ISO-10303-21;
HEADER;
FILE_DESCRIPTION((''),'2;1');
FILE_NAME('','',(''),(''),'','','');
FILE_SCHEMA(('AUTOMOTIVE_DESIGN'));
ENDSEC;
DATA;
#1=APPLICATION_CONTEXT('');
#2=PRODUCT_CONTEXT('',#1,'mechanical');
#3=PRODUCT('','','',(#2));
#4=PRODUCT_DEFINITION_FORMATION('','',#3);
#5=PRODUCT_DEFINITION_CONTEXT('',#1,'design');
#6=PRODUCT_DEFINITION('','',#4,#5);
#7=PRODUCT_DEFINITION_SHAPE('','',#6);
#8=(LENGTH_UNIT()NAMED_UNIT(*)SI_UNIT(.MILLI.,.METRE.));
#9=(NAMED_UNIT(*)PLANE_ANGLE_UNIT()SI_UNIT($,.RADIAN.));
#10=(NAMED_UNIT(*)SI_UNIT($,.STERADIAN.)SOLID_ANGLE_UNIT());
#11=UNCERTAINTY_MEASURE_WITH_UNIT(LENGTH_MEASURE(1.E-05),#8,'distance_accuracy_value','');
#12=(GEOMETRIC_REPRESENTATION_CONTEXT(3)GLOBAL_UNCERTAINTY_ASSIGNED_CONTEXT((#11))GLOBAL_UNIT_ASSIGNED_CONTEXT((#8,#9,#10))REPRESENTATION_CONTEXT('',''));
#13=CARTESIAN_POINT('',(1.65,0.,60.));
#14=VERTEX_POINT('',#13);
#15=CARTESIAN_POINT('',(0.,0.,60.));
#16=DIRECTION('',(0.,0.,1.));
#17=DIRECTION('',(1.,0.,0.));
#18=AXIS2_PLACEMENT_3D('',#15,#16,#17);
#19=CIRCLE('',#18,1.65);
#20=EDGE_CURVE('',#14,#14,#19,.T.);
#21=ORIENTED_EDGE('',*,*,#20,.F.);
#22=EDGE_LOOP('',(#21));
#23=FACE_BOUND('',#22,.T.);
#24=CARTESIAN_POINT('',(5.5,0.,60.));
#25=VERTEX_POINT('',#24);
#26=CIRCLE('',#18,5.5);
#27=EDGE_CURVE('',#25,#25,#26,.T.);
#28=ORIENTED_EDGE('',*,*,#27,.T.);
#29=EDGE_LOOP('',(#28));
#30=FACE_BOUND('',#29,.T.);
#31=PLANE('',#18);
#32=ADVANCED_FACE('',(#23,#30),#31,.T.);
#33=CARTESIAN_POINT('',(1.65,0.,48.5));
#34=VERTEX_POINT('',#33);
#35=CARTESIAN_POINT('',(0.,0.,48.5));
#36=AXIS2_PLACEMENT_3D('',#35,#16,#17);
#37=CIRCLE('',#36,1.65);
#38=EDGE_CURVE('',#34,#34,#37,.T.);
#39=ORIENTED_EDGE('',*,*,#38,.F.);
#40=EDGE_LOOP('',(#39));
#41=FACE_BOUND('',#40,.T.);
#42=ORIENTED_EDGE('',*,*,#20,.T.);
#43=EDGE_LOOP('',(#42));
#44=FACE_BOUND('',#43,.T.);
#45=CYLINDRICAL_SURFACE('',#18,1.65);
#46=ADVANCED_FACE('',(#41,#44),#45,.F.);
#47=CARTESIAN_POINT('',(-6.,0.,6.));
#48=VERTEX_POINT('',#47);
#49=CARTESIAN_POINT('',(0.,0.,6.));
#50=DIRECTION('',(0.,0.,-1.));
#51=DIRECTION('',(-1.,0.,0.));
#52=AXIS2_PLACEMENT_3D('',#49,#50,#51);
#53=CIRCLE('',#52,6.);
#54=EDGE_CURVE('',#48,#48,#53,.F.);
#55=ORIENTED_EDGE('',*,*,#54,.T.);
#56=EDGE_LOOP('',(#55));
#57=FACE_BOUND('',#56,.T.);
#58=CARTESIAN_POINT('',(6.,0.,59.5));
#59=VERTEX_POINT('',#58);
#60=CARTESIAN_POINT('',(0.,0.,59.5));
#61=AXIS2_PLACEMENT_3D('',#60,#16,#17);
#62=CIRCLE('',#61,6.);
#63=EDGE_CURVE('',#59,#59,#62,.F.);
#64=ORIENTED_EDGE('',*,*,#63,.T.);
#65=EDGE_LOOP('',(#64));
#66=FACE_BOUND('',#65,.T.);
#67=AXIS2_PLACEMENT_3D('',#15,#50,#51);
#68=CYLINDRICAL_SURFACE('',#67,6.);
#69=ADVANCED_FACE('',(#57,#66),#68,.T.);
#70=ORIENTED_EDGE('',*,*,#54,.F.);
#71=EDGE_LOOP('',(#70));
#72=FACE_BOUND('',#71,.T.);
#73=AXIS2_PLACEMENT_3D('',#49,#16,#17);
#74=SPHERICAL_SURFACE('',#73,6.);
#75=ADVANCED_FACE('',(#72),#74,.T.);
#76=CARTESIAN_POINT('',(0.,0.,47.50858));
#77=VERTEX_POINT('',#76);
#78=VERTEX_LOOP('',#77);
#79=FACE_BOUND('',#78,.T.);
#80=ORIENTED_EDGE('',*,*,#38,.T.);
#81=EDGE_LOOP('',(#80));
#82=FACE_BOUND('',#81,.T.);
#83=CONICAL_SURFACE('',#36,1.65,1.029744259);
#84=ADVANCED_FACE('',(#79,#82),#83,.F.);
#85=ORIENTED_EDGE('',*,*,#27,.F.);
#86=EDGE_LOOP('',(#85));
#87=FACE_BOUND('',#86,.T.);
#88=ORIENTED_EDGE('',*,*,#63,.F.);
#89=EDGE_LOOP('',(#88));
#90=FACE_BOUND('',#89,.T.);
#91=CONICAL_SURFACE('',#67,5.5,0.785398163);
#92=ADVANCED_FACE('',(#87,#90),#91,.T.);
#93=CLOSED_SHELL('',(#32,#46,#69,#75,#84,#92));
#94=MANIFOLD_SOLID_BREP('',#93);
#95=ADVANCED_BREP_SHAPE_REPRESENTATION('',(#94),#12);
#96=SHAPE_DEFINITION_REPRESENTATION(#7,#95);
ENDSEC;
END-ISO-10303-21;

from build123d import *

# Parameters (mm, degrees)
SKETCH_1_R             = 6
EXTRUDE_1_DEPTH        = 60
FILLET_1_R             = 6
CHAMFER_1_SIZE         = 0.5
HOLE_WIZARD_M4_1_D     = 3.3
HOLE_WIZARD_M4_1_DEPTH = 11.5
HOLE_WIZARD_M4_1_TIP   = 0.991420021


with BuildPart() as part:
    # 草圖1 → 伸長1 (new body)
    with BuildSketch(Plane.XY):
        Circle(SKETCH_1_R)
    extrude(amount=EXTRUDE_1_DEPTH)

    # 圓角1
    fillet_1_edges = [part.edges().sort_by_distance(p)[0] for p in [
        (-6, 0, 0),
    ]]
    fillet(fillet_1_edges, radius=FILLET_1_R)

    # 導角1
    chamfer_1_edges = [part.edges().sort_by_distance(p)[0] for p in [
        (-6, 0, 60),
    ]]
    chamfer(chamfer_1_edges, length=CHAMFER_1_SIZE)

    # M4 螺紋孔1
    with Locations(Plane.XY.offset(60)):
        with Locations((0, 0)):
            Hole(HOLE_WIZARD_M4_1_D / 2, depth=HOLE_WIZARD_M4_1_DEPTH)
            with Locations((0, 0, -(HOLE_WIZARD_M4_1_DEPTH + HOLE_WIZARD_M4_1_TIP / 2))):  # 118° drill point
                Cone(0, HOLE_WIZARD_M4_1_D / 2, HOLE_WIZARD_M4_1_TIP, mode=Mode.SUBTRACT)


solid = part.part
